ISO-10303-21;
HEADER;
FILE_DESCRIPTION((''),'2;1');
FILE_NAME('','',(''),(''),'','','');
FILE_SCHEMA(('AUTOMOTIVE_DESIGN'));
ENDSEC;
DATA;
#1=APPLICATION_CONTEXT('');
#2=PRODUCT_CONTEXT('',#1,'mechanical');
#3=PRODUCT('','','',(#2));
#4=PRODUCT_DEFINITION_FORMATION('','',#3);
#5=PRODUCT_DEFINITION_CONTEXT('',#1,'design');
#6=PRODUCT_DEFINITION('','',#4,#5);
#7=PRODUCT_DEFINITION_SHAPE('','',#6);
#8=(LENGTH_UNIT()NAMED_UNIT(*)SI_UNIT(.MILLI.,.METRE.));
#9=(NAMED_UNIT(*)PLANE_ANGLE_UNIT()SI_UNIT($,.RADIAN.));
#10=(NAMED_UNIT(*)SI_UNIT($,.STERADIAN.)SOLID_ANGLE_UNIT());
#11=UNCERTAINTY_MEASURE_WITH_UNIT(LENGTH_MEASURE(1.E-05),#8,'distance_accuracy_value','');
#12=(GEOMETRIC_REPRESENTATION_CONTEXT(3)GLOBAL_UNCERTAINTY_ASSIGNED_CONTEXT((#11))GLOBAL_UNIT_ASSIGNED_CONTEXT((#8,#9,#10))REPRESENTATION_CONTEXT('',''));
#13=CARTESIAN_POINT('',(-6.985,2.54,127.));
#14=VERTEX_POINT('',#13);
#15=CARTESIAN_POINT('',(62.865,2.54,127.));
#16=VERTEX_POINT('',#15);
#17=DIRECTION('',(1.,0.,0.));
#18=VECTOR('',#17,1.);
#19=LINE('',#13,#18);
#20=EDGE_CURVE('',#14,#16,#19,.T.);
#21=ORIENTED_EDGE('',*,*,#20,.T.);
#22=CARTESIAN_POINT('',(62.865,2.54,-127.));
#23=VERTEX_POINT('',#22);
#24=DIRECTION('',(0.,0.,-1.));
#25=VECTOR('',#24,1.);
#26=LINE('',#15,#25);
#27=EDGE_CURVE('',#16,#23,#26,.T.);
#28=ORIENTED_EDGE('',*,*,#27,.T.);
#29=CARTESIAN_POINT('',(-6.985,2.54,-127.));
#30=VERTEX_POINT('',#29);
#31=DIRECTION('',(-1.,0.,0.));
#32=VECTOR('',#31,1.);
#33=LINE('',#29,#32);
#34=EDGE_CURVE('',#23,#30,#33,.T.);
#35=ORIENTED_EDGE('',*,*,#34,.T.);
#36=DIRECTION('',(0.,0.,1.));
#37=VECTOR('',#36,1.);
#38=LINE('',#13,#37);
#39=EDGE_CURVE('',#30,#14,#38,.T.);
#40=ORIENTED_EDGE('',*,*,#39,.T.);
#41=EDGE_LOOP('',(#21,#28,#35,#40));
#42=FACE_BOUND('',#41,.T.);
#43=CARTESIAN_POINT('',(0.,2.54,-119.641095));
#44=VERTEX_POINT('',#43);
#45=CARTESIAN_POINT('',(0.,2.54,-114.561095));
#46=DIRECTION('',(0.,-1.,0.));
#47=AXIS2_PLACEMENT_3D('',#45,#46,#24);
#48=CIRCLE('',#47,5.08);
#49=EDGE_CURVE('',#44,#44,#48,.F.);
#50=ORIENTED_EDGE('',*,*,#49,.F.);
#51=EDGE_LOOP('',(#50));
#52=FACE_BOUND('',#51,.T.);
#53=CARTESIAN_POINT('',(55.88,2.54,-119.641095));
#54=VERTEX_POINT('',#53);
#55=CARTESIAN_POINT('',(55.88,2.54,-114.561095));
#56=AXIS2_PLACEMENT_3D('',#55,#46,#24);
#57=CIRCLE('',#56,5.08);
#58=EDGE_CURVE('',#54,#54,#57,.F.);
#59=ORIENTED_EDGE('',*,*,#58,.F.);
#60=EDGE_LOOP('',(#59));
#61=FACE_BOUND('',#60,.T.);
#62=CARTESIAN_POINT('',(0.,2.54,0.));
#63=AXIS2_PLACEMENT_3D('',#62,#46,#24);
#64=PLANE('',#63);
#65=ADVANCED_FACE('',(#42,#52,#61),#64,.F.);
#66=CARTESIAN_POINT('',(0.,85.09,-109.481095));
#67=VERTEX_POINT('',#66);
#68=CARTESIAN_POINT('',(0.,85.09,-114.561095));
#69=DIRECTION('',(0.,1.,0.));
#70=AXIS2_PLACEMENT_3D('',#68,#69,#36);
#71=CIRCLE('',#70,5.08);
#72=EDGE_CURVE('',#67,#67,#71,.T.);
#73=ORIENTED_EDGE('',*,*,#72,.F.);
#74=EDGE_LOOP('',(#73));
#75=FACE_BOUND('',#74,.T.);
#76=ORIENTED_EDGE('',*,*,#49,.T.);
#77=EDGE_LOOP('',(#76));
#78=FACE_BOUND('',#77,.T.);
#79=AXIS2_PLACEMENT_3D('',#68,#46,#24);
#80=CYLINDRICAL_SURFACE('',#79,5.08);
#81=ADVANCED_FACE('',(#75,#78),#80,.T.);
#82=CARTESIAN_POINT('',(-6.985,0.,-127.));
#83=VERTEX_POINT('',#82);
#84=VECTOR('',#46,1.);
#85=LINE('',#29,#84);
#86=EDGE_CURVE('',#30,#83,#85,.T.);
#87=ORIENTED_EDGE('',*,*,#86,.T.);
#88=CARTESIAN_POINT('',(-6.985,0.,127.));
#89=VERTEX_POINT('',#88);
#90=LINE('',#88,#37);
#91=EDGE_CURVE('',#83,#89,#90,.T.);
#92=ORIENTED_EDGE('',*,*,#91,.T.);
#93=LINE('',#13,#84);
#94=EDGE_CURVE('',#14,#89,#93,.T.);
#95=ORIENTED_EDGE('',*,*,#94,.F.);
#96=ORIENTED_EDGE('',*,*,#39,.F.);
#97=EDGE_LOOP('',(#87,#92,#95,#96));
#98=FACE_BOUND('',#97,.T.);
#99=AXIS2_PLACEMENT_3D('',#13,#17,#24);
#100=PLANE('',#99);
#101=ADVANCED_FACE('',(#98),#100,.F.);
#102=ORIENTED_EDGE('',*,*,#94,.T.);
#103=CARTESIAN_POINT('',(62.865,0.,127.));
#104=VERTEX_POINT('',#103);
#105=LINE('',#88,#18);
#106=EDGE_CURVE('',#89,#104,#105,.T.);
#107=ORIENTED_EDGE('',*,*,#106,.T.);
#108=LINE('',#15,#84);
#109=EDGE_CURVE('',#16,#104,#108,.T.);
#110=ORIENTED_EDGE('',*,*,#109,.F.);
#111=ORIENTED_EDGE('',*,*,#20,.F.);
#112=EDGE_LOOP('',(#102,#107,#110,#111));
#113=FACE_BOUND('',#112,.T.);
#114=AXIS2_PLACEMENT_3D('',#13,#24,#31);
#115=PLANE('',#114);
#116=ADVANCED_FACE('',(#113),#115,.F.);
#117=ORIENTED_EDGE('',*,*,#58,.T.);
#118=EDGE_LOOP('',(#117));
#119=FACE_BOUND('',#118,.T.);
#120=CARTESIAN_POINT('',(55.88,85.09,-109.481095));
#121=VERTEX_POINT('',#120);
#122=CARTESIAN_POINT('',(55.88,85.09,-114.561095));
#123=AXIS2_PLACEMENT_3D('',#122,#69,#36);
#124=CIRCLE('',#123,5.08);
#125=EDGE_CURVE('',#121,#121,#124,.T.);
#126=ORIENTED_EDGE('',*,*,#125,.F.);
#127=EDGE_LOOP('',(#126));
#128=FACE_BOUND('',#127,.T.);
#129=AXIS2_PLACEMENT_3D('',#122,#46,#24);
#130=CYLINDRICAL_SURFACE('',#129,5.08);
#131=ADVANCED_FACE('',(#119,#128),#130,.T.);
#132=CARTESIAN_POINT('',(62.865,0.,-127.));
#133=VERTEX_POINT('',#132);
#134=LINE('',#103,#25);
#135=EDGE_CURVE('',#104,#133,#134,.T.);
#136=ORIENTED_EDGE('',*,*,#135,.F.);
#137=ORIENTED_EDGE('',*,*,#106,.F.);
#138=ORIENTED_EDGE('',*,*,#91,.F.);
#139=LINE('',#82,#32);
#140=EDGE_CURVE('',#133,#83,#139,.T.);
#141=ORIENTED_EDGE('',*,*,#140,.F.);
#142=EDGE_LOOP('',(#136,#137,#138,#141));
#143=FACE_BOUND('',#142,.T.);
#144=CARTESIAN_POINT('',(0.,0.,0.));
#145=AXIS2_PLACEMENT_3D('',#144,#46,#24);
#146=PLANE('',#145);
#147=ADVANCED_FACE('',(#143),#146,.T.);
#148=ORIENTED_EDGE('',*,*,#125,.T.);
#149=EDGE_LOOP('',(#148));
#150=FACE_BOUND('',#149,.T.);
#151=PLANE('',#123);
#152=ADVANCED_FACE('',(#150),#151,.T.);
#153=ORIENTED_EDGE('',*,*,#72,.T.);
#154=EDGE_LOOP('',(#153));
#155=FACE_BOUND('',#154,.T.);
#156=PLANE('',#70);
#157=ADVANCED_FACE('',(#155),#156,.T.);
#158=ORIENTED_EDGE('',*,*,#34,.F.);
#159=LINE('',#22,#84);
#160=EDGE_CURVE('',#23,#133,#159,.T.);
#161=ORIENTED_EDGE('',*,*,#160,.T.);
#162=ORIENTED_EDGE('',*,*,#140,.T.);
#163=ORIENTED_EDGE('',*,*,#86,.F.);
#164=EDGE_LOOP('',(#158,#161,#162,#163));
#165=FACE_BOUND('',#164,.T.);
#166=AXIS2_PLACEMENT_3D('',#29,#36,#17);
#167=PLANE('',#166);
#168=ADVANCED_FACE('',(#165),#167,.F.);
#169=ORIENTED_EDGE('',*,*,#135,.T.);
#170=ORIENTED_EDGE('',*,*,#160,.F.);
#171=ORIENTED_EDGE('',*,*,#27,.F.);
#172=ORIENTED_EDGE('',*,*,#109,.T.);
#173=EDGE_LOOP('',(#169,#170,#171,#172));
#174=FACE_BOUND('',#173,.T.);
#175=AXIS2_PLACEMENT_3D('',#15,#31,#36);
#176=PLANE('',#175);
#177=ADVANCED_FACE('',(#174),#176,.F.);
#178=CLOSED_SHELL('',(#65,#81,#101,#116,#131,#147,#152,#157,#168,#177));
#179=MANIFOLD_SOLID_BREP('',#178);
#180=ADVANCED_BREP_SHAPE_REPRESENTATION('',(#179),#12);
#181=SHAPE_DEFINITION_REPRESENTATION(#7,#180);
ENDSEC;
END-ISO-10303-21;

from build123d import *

# Parameters (mm, degrees)
SKETCH1_W           = 69.85
SKETCH1_H           = 254
BOSS_EXTRUDE1_DEPTH = 2.54
SKETCH2_R           = 5.08
BOSS_EXTRUDE2_DEPTH = 82.55


with BuildPart() as part:
    # Sketch1 → Boss-Extrude1 (new body)
    with BuildSketch(Plane(origin=(0, 0, 0), x_dir=(1, 0, 0), z_dir=(0, 1, 0))):
        with Locations((27.94, 0)):
            Rectangle(SKETCH1_W, SKETCH1_H)
    extrude(amount=BOSS_EXTRUDE1_DEPTH)

    # Sketch2 → Boss-Extrude2 (add)
    with BuildSketch(Plane(origin=(0, 2.54, 0), x_dir=(1, 0, 0), z_dir=(0, 1, 0))):
        with Locations(Location((0, 114.561094582, 0), (0, 0, 90))):
            Circle(SKETCH2_R)
        with Locations(Location((55.88, 114.561094582, 0), (0, 0, 90))):
            Circle(SKETCH2_R)
    extrude(amount=BOSS_EXTRUDE2_DEPTH)


solid = part.part
